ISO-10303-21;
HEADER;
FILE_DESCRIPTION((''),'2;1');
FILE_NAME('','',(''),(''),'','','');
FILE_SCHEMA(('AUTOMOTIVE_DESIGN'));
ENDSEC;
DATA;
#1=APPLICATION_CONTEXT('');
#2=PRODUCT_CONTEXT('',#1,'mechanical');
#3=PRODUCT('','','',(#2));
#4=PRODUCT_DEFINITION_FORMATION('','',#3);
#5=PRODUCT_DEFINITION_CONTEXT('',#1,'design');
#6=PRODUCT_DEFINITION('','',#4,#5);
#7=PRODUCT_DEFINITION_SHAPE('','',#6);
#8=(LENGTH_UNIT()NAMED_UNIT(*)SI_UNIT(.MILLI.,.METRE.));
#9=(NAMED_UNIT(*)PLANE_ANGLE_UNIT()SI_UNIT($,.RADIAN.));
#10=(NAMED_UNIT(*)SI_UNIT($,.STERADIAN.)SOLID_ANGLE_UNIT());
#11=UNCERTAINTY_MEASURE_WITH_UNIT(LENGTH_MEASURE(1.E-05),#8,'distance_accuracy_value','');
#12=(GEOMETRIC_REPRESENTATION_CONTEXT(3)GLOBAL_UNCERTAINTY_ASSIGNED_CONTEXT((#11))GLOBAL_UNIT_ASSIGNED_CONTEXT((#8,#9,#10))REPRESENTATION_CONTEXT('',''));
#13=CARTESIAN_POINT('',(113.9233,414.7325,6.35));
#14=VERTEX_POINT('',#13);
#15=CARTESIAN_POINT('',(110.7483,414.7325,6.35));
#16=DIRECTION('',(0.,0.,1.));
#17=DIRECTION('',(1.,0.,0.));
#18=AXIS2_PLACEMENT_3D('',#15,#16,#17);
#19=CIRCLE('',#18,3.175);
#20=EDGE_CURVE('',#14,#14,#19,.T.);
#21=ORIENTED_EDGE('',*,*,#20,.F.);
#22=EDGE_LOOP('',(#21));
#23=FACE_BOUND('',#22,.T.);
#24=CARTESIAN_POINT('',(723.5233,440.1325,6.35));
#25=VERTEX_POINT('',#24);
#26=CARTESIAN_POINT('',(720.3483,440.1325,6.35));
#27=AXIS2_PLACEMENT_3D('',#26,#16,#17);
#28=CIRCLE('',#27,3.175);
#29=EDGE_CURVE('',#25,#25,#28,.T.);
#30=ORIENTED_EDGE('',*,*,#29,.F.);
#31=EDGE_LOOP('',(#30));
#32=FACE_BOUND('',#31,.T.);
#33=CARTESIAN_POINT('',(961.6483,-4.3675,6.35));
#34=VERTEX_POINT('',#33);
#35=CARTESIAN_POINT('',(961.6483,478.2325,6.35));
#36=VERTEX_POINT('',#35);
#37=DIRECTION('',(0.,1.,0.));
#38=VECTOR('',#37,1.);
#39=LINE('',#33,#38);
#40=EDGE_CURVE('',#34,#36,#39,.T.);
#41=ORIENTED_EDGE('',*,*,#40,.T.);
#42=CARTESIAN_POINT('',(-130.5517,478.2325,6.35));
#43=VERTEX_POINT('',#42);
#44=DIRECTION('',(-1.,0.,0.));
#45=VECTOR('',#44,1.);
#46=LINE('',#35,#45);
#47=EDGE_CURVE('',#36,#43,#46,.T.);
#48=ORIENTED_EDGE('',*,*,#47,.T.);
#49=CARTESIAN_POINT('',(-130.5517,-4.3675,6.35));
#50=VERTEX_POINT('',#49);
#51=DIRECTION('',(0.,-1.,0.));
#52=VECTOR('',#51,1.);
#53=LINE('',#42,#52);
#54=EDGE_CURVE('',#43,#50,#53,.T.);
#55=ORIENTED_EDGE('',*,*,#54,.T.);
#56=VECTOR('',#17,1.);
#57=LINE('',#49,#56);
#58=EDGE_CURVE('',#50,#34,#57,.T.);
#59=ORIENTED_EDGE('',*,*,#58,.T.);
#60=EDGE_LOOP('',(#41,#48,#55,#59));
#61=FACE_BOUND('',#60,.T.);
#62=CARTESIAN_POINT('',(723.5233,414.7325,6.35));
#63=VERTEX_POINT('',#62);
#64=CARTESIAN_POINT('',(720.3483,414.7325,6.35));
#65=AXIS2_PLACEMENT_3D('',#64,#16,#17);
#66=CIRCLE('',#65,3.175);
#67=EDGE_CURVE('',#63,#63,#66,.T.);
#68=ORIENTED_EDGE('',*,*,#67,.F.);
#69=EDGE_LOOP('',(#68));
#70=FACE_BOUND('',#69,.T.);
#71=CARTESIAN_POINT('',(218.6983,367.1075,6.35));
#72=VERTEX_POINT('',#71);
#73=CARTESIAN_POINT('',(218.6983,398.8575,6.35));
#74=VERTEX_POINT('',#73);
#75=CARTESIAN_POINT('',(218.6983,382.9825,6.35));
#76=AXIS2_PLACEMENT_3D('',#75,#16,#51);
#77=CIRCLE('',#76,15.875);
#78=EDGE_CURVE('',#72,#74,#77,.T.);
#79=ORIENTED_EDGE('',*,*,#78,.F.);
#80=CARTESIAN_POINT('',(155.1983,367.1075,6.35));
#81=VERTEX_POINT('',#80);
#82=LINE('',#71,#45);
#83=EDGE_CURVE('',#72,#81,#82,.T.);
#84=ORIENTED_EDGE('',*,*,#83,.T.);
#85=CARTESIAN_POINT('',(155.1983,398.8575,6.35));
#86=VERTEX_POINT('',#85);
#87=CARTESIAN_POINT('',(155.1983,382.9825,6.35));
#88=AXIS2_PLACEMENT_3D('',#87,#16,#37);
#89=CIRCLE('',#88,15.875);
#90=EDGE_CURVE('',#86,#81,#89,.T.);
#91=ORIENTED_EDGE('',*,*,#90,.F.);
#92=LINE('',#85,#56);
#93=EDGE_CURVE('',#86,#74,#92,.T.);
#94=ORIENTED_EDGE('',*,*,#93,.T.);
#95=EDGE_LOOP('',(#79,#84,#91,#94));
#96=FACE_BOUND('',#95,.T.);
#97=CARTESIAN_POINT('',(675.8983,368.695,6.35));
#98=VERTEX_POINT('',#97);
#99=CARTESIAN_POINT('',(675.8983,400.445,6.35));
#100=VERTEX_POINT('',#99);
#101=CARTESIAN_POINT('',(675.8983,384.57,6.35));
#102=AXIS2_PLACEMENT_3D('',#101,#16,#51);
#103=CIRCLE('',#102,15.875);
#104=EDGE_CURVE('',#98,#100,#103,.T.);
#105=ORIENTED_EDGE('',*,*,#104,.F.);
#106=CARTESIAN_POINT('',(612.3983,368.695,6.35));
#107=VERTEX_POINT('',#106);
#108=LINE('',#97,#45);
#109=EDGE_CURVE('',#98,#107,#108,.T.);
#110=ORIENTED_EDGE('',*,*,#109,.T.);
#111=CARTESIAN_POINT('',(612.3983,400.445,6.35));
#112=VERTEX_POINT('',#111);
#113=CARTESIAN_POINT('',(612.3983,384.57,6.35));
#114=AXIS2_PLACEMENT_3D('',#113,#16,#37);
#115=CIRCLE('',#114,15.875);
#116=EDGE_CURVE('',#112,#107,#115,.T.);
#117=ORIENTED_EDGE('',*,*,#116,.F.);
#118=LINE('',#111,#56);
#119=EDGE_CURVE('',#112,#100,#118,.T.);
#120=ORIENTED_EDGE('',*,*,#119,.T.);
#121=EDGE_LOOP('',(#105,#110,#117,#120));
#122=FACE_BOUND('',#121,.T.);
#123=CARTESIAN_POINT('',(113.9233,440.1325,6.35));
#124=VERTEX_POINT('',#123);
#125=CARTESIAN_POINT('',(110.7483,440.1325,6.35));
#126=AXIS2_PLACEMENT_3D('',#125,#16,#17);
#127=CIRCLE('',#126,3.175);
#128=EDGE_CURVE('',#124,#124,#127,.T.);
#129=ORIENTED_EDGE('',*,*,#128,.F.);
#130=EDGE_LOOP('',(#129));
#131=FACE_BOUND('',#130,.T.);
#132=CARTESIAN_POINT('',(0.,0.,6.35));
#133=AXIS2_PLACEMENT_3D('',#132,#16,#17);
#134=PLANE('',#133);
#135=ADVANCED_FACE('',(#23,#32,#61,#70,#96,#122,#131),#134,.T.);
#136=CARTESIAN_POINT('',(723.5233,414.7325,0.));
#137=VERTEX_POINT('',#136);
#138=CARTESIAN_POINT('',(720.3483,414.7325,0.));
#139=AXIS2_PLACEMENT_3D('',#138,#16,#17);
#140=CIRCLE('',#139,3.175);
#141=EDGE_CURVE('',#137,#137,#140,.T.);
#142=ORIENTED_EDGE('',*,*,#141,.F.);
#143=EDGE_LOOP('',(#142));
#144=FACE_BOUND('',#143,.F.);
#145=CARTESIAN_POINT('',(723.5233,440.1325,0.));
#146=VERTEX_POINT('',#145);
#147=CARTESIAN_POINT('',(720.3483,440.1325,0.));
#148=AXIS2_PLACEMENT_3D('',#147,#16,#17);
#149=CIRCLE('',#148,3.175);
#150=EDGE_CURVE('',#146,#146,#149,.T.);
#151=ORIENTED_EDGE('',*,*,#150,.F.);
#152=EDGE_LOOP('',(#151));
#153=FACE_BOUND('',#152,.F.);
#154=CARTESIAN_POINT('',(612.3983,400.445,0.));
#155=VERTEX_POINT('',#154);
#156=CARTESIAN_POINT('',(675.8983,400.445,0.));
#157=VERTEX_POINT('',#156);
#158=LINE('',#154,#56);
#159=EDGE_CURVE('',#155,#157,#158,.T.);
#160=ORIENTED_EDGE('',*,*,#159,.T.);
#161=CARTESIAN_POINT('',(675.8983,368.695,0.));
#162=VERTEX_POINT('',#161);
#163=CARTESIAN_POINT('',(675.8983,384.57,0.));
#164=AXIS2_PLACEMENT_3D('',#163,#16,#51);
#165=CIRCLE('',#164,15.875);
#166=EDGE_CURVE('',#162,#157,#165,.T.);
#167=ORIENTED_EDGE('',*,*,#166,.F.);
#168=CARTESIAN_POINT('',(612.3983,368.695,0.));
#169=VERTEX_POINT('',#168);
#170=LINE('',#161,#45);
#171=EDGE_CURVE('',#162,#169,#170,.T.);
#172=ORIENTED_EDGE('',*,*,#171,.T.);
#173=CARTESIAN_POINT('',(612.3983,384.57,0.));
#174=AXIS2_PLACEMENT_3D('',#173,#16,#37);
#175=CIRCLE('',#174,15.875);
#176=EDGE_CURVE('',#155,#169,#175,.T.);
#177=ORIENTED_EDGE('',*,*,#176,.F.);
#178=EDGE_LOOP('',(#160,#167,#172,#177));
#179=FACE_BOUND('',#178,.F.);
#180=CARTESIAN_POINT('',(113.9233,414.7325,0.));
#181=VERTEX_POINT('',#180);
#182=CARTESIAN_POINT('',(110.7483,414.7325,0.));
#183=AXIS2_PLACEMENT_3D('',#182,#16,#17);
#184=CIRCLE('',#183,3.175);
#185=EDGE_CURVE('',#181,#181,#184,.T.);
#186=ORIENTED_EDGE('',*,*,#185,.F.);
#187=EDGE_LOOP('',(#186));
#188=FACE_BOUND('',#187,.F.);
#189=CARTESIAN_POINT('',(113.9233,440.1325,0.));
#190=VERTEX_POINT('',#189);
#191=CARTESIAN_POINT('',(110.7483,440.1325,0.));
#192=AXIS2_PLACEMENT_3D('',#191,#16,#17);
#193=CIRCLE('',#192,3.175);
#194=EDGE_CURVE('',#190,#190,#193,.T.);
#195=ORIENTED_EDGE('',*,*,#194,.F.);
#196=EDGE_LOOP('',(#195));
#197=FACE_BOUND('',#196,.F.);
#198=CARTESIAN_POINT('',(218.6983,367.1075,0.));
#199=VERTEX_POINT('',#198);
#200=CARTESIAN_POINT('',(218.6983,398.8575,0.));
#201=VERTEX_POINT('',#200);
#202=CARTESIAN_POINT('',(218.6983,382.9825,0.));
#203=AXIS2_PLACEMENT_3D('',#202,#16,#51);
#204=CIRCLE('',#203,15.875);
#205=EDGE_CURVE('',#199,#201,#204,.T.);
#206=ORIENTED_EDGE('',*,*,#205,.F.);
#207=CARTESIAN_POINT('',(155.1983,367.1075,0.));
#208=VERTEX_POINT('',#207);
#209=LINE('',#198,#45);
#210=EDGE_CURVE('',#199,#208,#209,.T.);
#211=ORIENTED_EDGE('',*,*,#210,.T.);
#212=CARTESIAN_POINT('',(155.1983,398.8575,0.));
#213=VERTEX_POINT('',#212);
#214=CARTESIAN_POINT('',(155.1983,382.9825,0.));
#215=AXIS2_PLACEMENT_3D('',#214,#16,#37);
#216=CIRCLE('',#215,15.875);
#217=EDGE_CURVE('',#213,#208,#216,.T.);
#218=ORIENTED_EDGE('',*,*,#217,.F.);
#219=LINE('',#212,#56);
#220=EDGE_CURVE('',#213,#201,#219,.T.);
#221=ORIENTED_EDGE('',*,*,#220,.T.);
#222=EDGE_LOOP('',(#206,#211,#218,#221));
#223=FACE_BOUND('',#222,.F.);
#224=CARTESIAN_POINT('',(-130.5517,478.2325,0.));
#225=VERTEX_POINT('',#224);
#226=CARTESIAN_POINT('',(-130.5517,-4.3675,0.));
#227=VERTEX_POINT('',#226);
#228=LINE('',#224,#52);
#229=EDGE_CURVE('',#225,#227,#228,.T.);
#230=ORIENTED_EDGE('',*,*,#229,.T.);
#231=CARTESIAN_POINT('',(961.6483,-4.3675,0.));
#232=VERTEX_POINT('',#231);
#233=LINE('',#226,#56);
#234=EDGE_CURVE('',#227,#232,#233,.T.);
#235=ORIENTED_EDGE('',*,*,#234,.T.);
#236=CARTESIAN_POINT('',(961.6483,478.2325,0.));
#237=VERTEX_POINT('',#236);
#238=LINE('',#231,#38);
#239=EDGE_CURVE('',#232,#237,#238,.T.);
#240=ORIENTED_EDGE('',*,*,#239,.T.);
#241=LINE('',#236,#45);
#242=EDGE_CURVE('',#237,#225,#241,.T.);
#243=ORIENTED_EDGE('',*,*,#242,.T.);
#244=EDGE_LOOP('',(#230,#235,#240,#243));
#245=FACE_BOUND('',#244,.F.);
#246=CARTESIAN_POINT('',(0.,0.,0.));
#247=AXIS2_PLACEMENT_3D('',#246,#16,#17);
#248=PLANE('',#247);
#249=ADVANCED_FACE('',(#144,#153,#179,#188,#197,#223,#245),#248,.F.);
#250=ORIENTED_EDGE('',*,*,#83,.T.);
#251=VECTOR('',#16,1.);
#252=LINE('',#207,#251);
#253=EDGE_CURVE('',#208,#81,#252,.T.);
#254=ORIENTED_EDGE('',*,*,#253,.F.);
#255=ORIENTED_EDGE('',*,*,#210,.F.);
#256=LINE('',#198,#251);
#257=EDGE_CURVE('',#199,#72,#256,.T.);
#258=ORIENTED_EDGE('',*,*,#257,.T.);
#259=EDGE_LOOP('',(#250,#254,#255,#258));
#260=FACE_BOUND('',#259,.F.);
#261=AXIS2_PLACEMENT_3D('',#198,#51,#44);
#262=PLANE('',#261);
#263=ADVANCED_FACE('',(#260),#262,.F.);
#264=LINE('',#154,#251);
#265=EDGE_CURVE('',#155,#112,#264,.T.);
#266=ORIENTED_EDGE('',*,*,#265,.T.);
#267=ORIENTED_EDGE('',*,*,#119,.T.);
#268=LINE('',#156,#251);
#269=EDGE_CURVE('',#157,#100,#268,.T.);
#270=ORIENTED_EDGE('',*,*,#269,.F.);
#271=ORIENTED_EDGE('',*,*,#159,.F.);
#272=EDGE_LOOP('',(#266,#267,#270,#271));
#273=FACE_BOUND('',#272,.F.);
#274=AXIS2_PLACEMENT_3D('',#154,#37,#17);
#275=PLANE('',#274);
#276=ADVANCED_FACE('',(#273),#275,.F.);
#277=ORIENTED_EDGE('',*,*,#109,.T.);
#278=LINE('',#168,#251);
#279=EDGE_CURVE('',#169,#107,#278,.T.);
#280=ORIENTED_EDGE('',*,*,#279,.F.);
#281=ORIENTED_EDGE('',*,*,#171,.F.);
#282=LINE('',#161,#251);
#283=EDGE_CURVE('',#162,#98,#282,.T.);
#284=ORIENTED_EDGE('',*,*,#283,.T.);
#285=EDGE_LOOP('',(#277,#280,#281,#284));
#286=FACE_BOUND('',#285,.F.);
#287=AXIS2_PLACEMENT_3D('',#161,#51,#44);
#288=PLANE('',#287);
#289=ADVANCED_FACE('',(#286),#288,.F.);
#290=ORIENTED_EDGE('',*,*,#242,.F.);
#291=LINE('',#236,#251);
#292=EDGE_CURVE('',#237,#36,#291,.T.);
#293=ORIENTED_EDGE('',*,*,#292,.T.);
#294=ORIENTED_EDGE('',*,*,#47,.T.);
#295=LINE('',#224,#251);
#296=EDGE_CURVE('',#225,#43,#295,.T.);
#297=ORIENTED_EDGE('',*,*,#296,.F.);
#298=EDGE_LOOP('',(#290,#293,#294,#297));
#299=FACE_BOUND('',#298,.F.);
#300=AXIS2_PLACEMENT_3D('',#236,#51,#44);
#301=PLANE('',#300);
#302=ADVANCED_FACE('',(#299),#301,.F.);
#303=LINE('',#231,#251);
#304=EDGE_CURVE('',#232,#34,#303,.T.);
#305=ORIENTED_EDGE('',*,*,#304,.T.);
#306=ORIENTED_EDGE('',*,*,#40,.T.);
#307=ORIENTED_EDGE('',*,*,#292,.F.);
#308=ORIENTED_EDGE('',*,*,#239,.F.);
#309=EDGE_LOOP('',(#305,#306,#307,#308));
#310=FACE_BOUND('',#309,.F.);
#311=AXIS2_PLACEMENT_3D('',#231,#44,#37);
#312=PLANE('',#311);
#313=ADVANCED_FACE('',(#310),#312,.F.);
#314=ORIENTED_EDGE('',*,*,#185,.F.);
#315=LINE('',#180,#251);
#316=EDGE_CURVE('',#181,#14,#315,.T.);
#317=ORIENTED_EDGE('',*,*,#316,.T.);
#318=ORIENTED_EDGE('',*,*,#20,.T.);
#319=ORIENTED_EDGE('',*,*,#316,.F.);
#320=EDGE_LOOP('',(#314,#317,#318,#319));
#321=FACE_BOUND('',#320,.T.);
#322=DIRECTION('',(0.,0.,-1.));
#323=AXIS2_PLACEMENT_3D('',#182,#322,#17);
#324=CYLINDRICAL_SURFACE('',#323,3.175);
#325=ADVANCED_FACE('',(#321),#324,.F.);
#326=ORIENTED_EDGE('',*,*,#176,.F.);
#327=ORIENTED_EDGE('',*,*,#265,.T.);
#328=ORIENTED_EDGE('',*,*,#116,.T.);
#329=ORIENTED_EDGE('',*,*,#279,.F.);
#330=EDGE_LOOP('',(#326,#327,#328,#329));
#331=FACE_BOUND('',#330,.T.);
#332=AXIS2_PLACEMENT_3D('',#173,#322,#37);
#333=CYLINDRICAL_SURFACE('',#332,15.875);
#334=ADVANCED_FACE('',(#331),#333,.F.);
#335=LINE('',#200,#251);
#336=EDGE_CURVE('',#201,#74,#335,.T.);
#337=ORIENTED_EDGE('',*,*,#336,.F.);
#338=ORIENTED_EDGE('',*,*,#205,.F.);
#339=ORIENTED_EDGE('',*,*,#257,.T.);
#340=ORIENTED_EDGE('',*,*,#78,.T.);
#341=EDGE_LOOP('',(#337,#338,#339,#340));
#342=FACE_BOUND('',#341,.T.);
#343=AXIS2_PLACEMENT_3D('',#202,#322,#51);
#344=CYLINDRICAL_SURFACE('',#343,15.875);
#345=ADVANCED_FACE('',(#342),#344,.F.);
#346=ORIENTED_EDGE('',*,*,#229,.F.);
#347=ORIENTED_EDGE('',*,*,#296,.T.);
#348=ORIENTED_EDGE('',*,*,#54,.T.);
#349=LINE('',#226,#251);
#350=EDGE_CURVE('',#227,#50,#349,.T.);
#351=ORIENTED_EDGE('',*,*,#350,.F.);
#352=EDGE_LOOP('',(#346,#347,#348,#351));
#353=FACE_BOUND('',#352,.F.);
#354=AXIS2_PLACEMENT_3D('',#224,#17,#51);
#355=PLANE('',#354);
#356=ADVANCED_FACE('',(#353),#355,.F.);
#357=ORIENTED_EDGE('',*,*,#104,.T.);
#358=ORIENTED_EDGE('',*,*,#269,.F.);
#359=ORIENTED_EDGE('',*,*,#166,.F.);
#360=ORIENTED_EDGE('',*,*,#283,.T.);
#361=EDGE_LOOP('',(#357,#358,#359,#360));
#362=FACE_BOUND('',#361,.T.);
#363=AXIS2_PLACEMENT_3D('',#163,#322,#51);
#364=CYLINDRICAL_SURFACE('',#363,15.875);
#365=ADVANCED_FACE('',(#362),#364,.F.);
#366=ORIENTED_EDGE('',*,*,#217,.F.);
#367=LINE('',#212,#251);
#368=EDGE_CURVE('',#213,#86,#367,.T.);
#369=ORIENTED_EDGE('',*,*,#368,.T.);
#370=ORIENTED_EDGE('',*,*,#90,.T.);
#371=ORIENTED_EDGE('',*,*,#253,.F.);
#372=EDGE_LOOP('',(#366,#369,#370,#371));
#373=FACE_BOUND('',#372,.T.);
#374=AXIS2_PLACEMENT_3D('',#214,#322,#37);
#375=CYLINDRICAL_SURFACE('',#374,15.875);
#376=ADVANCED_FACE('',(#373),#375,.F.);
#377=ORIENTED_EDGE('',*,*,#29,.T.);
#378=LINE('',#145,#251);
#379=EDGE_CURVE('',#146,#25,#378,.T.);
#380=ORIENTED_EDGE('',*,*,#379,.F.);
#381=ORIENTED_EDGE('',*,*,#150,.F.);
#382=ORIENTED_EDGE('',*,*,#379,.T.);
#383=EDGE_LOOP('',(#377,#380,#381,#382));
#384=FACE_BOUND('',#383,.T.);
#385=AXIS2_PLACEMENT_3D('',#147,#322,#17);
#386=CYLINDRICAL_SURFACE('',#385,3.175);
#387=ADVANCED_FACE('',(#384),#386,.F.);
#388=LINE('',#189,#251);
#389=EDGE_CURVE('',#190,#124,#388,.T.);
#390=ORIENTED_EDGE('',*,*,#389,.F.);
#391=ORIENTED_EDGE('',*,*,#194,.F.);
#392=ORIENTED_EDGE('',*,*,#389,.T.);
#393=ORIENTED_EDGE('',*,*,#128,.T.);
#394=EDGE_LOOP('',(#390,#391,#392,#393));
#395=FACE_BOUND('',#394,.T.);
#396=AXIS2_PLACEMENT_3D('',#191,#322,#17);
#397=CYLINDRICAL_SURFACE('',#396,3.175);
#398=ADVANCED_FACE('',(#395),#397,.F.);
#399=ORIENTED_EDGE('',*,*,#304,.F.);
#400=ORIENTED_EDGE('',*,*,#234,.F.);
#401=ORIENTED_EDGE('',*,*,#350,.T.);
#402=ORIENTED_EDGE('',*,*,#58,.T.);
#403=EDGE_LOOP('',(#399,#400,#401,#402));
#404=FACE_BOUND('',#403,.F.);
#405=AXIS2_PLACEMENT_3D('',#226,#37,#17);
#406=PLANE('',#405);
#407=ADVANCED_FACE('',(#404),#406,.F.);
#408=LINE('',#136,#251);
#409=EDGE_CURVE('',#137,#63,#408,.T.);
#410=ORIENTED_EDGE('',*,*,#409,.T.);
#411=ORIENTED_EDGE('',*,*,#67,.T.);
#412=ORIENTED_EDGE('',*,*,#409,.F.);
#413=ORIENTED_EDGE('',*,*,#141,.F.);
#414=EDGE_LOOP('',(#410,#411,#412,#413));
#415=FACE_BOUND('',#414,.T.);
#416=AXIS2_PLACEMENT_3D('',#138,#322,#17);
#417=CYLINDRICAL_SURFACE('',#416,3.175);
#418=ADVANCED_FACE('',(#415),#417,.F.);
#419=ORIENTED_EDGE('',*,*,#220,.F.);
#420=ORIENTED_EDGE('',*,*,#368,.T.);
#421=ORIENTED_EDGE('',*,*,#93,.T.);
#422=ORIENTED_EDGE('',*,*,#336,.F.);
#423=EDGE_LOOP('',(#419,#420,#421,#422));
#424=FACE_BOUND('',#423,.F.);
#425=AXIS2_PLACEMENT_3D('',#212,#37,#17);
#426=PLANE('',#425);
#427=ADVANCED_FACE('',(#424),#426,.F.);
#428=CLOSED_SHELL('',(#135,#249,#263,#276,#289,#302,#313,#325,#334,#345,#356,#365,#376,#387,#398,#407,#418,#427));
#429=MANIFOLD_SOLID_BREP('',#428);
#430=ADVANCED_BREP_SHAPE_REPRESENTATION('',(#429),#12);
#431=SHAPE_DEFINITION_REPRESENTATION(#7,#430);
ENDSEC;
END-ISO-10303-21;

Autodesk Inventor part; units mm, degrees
ref_plane "YZ Plane" through (0, 0, 0) normal (1, 0, 0) x (0, 1, 0)
ref_plane "XZ Plane" through (0, 0, 0) normal (0, 1, 0) x (-1, 0, 0)
ref_plane "XY Plane" through (0, 0, 0) normal (0, 0, 1) x (1, 0, 0)
sketch "Sketch1" plane through (0, 0, 0) normal (0, 0, 1) x (1, 0, 0)
  line L0 (-130.5517, -4.3675) -> (961.6483, -4.3675)
  line L1 (961.6483, -4.3675) -> (961.6483, 478.2325)
  line L2 (961.6483, 478.2325) -> (-130.5517, 478.2325)
  line L3 (-130.5517, 478.2325) -> (-130.5517, -4.3675)
  arc A0 (155.1983, 398.8575) -> (155.1983, 367.1075) centre (155.1983, 382.9825) ccw
  arc A1 (218.6983, 367.1075) -> (218.6983, 398.8575) centre (218.6983, 382.9825) ccw
  line L4 (155.1983, 398.8575) -> (218.6983, 398.8575)
  line L5 (218.6983, 367.1075) -> (155.1983, 367.1075)
  arc A2 (612.3983, 400.445) -> (612.3983, 368.695) centre (612.3983, 384.57) ccw
  arc A3 (675.8983, 368.695) -> (675.8983, 400.445) centre (675.8983, 384.57) ccw
  line L6 (612.3983, 400.445) -> (675.8983, 400.445)
  line L7 (675.8983, 368.695) -> (612.3983, 368.695)
  circle A4 centre (110.7483, 440.1325) radius 3.175
  circle A5 centre (110.7483, 414.7325) radius 3.175
  circle A6 centre (720.3483, 440.1325) radius 3.175
  circle A7 centre (720.3483, 414.7325) radius 3.175
  dimension "d0" = 1092.2
  dimension "d1" = 482.6
  dimension "d4" = 63.5
  dimension "d5" = 95.25
  dimension "d6" = 285.75
  dimension "d7" = 63.5
  dimension "d9" = 285.75
  dimension "d14" = 38.1
  dimension "d15" = 63.5
  dimension "d16" = 241.3
  dimension "d17" = 241.3
  dimension "d18" = 38.1
  dimension "d19" = 63.5
  dimension "d20" = 850.9
  dimension "d21" = 850.9
  dimension "d24" = 15.875
extrude "Extrusion1" add sketch "Sketch1" along normal blind 6.35
properties part number "FE-00011"
